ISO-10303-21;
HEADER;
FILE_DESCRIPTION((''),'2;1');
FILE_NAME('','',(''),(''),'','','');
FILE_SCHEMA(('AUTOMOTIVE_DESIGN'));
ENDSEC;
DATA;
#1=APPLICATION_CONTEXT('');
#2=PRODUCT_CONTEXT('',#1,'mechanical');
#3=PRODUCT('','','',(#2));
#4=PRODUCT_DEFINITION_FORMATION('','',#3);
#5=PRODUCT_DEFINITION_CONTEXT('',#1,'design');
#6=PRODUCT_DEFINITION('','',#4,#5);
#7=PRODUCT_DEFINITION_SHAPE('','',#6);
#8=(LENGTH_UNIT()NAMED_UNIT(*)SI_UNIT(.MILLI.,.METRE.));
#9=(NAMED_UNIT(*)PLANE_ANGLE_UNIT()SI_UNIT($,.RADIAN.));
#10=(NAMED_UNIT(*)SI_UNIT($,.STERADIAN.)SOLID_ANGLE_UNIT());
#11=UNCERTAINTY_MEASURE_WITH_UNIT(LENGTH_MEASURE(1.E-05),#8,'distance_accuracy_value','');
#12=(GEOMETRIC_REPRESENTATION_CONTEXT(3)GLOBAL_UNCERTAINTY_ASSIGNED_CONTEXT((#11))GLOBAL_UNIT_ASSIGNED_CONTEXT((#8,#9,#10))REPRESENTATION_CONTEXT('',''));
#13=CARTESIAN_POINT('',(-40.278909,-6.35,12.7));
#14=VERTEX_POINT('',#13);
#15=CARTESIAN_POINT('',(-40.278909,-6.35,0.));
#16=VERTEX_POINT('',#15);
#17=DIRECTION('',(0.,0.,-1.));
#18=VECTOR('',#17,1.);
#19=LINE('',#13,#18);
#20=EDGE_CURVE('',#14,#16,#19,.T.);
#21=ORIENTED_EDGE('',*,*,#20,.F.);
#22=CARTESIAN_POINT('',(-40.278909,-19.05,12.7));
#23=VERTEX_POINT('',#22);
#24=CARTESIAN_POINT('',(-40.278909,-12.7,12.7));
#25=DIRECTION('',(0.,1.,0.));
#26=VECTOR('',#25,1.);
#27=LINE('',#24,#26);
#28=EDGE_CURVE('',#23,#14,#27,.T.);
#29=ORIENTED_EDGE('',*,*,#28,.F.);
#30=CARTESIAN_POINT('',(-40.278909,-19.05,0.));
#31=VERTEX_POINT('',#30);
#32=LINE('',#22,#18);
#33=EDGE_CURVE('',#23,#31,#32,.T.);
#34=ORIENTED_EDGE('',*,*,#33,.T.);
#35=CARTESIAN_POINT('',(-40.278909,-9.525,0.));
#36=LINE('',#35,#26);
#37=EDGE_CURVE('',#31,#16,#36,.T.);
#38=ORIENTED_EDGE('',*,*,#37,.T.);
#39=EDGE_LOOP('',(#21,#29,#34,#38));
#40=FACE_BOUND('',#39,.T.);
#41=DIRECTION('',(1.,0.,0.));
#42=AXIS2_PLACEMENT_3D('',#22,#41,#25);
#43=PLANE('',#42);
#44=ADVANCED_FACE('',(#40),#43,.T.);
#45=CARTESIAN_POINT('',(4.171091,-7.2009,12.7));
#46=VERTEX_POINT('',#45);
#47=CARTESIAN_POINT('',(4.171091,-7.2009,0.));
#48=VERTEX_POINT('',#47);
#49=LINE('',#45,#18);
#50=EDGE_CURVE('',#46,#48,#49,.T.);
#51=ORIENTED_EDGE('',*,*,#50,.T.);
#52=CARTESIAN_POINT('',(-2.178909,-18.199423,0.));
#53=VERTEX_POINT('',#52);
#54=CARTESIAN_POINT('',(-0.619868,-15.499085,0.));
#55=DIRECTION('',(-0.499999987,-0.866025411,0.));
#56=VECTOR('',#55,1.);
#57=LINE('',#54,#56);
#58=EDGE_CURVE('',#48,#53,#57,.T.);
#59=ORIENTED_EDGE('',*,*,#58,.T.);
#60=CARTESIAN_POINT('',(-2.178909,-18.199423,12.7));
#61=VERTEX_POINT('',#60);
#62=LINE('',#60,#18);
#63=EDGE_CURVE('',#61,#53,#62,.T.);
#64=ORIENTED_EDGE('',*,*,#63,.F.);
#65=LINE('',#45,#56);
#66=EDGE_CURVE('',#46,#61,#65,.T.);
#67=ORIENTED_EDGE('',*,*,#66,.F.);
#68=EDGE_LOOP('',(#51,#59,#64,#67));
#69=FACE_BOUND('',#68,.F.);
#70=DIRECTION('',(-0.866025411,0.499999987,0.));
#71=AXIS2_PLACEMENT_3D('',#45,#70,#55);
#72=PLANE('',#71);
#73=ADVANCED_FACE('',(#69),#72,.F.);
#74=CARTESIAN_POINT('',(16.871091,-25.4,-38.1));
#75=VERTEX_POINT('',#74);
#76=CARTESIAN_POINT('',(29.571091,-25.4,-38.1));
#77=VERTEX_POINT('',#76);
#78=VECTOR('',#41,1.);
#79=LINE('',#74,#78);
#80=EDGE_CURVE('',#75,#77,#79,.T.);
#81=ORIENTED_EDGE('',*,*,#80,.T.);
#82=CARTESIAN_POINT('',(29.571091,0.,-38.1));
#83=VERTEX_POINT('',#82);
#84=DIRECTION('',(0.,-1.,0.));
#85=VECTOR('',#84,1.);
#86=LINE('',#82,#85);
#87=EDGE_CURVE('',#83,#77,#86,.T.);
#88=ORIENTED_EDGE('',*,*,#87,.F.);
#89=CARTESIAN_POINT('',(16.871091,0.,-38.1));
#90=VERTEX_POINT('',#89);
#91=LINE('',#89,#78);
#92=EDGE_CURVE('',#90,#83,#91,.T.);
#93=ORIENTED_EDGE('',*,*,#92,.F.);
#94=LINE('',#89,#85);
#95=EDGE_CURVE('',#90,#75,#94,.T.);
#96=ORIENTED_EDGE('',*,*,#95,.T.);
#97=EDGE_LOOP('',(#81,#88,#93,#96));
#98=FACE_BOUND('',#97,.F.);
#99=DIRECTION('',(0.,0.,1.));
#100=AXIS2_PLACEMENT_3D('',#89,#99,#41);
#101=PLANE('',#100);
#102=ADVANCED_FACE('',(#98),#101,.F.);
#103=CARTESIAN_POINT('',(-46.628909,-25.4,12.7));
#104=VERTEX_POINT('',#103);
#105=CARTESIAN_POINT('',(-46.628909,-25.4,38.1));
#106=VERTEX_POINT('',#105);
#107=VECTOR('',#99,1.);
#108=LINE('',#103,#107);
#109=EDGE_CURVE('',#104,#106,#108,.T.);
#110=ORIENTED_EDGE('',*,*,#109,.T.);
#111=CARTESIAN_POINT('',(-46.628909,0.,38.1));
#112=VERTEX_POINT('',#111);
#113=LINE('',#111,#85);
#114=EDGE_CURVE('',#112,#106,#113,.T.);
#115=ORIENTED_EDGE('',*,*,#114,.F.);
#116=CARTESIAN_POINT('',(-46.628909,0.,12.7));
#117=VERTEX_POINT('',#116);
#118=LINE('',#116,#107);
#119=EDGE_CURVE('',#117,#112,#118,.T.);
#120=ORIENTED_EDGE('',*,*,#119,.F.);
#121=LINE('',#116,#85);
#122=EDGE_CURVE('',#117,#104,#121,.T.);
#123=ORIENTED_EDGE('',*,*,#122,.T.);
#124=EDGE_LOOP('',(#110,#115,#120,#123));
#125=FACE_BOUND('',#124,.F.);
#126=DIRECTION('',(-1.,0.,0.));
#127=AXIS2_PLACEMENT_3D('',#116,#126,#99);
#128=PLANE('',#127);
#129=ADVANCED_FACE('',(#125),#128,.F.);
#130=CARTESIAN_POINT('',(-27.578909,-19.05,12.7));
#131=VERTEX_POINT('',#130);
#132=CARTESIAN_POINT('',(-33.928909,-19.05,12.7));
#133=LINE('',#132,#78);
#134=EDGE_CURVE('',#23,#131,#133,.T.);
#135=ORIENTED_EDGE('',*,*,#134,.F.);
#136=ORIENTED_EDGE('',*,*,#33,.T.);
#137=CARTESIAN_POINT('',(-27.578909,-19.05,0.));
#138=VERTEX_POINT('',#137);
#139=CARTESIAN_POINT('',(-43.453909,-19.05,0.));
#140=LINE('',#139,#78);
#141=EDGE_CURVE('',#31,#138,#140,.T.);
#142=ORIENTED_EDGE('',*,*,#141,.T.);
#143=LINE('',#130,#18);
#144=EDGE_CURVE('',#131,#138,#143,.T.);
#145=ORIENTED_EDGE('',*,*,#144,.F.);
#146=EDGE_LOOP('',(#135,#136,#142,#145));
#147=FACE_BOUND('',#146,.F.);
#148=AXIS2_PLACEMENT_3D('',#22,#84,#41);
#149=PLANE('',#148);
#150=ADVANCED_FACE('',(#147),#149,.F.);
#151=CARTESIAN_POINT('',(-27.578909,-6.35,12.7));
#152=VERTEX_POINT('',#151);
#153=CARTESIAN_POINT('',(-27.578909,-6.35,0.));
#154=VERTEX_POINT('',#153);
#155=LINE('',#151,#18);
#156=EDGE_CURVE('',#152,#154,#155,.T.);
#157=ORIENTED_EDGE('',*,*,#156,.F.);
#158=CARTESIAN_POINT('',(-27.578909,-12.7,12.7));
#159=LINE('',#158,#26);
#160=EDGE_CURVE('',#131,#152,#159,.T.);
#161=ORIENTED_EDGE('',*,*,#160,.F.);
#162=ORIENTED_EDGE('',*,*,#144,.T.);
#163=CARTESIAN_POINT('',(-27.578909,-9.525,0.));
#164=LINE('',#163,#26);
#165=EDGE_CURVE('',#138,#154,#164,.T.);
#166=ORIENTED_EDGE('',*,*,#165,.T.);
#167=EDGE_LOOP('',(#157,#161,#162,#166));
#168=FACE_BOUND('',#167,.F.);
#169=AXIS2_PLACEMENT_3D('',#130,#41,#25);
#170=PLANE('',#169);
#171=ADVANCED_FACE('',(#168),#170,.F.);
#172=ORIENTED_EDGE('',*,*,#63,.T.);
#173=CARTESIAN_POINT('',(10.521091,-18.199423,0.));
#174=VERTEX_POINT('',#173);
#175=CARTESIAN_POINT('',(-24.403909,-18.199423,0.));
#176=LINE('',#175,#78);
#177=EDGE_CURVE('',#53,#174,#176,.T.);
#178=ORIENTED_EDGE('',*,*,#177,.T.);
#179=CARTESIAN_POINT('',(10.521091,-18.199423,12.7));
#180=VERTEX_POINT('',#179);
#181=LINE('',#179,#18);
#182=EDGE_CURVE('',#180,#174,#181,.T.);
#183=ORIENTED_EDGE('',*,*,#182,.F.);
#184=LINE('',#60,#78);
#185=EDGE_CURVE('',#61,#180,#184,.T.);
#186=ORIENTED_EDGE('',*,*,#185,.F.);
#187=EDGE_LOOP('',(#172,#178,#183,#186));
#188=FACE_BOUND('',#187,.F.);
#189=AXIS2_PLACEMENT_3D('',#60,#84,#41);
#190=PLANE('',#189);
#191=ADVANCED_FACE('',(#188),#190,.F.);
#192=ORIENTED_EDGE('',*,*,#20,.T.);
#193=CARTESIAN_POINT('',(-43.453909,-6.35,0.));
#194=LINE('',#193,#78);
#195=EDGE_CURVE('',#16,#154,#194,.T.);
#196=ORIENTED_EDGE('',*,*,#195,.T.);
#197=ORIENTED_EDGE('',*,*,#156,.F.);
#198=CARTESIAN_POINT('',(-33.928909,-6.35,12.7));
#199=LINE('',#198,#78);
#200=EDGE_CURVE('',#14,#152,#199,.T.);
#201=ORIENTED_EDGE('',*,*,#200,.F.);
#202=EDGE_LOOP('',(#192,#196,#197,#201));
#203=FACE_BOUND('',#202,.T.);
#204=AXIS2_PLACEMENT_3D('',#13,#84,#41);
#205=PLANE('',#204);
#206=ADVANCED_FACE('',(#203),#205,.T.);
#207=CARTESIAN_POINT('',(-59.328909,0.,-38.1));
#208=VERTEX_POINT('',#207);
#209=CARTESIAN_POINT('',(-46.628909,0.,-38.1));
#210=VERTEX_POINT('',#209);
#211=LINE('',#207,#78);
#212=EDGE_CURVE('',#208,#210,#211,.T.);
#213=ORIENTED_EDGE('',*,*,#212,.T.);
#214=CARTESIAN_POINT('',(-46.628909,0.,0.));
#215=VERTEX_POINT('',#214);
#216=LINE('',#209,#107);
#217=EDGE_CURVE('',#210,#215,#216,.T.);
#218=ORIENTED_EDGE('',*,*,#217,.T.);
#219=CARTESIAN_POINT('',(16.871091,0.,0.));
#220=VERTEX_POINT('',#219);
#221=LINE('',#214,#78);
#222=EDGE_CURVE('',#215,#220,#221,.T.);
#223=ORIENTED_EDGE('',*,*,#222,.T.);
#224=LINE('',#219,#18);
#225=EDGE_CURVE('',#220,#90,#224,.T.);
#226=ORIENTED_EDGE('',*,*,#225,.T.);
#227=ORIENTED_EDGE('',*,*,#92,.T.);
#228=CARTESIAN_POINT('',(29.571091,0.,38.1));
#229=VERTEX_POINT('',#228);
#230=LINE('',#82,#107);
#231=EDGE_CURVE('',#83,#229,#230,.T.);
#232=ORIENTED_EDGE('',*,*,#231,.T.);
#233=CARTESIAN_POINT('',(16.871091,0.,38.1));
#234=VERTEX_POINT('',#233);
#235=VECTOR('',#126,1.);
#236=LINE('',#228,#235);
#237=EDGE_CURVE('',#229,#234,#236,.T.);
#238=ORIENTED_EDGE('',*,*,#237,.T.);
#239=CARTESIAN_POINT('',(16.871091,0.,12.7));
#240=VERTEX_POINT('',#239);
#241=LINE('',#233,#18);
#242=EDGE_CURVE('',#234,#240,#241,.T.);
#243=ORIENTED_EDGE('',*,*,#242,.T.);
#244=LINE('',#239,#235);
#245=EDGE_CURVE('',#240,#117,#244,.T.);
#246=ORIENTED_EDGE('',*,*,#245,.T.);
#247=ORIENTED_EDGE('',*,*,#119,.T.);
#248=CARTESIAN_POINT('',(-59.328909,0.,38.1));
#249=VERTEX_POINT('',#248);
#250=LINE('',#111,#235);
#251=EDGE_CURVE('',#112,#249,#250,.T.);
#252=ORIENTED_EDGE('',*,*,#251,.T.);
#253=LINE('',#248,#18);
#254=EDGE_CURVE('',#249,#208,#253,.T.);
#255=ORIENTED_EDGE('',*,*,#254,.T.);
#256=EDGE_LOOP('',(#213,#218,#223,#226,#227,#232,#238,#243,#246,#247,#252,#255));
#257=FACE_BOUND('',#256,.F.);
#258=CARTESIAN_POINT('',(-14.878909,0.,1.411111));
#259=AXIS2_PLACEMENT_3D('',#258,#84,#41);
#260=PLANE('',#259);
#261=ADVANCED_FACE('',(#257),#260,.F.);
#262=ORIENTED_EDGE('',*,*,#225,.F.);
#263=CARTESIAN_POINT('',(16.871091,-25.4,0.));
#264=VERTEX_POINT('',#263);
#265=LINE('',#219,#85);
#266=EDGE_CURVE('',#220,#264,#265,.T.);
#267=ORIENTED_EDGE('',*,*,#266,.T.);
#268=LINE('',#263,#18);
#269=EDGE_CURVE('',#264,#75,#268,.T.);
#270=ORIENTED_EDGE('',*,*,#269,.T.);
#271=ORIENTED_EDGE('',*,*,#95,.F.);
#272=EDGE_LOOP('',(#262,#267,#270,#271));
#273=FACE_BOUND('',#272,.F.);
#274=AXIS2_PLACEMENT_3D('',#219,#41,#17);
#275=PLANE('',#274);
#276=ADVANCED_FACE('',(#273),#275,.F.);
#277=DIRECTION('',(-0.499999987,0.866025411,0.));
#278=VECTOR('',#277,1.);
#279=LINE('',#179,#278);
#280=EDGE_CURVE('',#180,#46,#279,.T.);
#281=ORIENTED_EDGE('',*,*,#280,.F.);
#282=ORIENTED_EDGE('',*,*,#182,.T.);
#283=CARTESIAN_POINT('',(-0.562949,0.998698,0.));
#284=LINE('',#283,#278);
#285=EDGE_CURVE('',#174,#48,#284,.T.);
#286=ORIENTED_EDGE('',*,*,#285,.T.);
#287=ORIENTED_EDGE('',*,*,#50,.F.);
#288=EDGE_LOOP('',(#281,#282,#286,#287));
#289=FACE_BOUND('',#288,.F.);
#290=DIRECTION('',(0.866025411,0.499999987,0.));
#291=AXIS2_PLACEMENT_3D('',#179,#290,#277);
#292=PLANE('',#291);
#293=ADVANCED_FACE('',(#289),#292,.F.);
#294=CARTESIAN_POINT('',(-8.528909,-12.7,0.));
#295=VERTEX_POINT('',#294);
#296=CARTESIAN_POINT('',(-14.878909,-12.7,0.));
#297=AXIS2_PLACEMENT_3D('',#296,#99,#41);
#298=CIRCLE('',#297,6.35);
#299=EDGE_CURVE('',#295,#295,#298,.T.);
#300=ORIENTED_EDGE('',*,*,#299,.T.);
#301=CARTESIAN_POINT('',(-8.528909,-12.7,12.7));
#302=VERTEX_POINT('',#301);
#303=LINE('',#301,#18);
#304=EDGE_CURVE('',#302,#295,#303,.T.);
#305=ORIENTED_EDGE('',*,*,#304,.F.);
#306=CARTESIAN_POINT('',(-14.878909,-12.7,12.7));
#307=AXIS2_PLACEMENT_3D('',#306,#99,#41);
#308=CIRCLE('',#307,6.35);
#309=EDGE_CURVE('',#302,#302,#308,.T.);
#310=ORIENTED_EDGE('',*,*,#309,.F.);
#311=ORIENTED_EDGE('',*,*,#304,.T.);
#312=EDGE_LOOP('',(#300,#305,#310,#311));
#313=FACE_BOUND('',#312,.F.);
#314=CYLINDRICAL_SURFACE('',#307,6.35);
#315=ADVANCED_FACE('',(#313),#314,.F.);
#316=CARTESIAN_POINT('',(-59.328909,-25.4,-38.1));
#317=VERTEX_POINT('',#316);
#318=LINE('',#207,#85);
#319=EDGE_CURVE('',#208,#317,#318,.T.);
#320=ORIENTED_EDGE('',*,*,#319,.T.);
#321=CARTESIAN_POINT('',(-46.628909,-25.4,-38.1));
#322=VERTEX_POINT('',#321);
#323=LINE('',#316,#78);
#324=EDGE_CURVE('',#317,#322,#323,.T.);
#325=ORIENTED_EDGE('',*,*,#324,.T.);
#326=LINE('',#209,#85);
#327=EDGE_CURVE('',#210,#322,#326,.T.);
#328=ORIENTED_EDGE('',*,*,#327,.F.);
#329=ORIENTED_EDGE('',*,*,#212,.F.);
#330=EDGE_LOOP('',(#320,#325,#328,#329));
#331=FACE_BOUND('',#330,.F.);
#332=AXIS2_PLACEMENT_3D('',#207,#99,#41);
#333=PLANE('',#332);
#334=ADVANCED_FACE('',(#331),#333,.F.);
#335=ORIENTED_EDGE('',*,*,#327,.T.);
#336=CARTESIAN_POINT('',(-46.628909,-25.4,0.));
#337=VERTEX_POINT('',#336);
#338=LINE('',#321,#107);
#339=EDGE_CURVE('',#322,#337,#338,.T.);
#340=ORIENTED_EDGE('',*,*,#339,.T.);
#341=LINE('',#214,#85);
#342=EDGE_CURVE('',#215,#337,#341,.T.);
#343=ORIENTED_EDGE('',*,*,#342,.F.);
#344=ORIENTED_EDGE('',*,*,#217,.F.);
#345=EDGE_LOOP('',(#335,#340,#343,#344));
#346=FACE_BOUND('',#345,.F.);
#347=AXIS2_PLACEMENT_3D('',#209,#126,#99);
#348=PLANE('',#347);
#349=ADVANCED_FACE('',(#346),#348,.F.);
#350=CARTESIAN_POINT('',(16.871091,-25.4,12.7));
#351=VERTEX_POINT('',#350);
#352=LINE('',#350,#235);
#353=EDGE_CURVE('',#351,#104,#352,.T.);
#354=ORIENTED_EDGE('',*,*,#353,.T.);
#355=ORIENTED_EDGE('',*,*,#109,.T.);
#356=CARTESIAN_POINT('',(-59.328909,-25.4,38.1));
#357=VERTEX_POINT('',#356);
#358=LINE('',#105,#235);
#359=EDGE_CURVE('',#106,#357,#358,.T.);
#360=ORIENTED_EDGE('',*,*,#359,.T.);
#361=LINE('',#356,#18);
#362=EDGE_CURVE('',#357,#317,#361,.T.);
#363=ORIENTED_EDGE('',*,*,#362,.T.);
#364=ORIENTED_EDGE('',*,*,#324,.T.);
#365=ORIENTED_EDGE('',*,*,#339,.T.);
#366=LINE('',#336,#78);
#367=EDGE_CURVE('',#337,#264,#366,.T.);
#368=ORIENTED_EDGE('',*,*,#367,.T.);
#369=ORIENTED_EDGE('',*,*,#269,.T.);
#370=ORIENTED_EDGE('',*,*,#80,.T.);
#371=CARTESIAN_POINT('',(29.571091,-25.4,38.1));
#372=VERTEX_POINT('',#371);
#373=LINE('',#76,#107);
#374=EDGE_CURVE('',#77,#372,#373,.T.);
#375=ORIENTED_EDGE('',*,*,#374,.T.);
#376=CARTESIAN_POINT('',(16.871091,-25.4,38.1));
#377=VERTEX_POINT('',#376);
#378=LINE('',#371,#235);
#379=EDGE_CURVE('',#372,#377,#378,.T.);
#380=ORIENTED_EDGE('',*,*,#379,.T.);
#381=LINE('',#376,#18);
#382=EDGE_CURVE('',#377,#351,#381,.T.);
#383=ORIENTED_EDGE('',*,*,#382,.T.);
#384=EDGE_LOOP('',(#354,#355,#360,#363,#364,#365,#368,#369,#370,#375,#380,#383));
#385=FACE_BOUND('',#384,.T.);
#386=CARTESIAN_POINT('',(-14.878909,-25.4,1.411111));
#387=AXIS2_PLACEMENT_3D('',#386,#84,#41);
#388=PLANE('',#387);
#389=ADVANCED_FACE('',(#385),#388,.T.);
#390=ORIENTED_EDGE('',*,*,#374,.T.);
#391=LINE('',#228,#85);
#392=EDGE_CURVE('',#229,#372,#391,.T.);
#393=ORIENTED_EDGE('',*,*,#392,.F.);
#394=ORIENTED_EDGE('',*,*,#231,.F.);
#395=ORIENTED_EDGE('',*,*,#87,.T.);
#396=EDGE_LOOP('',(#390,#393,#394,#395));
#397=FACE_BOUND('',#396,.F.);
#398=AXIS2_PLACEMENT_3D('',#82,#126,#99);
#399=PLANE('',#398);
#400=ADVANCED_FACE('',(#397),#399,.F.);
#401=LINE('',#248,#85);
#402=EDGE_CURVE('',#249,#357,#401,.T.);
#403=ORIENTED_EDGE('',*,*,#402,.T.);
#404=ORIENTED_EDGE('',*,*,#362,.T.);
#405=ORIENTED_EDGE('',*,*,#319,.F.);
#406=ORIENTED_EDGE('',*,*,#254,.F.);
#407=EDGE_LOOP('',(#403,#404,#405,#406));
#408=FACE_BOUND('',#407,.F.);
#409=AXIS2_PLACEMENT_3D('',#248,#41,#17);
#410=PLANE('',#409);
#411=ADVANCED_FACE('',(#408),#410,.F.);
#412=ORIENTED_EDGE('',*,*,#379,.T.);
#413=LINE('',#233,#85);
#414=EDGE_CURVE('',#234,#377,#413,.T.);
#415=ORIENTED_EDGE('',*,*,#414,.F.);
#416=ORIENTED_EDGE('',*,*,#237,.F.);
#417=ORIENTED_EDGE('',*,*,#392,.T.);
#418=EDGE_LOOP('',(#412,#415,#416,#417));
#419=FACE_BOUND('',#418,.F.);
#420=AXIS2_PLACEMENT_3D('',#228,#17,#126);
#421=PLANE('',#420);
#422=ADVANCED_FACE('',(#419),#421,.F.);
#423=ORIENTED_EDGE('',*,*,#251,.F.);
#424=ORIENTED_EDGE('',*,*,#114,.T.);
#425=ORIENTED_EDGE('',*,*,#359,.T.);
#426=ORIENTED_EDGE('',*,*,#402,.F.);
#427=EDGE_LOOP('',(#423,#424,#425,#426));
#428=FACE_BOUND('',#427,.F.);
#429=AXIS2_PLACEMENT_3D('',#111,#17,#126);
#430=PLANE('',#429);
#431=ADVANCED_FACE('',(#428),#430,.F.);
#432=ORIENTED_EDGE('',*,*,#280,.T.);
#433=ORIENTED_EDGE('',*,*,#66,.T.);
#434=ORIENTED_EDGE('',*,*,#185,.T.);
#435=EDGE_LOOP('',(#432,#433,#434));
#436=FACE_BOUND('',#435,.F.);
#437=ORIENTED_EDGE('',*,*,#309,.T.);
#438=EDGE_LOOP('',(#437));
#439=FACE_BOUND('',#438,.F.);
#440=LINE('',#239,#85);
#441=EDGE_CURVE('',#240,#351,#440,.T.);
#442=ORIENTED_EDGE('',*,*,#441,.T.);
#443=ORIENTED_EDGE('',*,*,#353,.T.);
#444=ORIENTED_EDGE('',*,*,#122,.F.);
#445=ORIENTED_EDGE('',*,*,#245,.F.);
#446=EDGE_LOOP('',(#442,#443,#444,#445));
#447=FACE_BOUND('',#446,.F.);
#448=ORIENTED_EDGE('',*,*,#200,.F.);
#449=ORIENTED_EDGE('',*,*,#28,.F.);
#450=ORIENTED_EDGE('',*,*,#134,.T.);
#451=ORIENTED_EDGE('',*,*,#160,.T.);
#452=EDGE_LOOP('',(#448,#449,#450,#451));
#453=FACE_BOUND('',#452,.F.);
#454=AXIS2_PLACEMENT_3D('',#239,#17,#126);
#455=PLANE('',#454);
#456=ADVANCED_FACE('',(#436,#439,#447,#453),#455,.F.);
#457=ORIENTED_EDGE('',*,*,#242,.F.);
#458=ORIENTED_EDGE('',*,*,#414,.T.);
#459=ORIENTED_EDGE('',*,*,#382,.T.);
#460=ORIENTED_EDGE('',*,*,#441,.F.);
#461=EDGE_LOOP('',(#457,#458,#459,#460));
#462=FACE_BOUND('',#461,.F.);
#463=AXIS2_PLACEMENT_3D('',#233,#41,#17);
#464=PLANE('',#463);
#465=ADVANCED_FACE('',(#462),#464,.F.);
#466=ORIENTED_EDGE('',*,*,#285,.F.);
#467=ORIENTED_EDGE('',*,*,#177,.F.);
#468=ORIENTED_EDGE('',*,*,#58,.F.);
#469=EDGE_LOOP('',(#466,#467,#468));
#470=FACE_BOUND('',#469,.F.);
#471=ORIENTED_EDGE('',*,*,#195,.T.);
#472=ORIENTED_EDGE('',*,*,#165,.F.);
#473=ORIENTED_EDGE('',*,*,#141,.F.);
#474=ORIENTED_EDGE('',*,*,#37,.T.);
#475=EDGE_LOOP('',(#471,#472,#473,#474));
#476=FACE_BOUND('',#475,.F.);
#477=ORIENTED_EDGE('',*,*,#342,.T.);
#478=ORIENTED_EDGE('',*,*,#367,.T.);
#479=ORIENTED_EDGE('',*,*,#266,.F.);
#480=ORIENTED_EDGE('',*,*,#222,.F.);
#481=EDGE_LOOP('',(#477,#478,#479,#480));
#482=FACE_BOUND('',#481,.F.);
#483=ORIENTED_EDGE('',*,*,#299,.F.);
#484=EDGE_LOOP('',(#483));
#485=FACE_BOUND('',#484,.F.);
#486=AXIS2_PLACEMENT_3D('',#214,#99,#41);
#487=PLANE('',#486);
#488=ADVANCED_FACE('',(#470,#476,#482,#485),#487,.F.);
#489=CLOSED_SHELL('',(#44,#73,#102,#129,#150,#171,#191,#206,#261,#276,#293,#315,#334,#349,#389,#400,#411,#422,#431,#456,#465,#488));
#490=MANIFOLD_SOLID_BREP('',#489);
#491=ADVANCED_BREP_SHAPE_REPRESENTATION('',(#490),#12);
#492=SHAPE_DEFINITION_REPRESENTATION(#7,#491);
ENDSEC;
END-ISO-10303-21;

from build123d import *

# Parameters (mm, degrees)
F1_DEPTH = 25.4
F2_W     = 12.7
F2_H     = 12.7
F3_DEPTH = 25.4
F4_R     = 6.35
F5_DEPTH = 25.4
F7_DEPTH = 25.4


with BuildPart() as f1:
    # F0 (on Front) → F1 (new body)
    with BuildSketch(Plane.XZ):
        Polygon((-46.628909, 38.1), (-59.328909, 38.1), (-59.328909, -38.1), (-46.628909, -38.1), (-46.628909, 0), (16.871091, 0), (16.871091, -38.1), (29.571091, -38.1), (29.571091, 38.1), (16.871091, 38.1), (16.871091, 12.7), (-46.628909, 12.7), align=None)
    extrude(amount=F1_DEPTH)

    # F2 (on face) → F3 (cut)
    with BuildSketch(Plane.XY.offset(12.7)):
        with Locations((-33.928909, -12.7)):
            Rectangle(F2_W, F2_H)
    extrude(amount=-F3_DEPTH, mode=Mode.SUBTRACT)

    # F4 (on face) → F5 (cut)
    with BuildSketch(Plane.XY.offset(12.7)):
        with Locations((-14.878909, -12.7)):
            Circle(F4_R)
    extrude(amount=-F5_DEPTH, mode=Mode.SUBTRACT)

    # F6 (on face) → F7 (cut)
    with BuildSketch(Plane.XY.offset(12.7)):
        Polygon((4.171091, -7.2009), (-2.178909, -18.199423), (10.521091, -18.199423), align=None)
    extrude(amount=-F7_DEPTH, mode=Mode.SUBTRACT)


solid = f1.part
